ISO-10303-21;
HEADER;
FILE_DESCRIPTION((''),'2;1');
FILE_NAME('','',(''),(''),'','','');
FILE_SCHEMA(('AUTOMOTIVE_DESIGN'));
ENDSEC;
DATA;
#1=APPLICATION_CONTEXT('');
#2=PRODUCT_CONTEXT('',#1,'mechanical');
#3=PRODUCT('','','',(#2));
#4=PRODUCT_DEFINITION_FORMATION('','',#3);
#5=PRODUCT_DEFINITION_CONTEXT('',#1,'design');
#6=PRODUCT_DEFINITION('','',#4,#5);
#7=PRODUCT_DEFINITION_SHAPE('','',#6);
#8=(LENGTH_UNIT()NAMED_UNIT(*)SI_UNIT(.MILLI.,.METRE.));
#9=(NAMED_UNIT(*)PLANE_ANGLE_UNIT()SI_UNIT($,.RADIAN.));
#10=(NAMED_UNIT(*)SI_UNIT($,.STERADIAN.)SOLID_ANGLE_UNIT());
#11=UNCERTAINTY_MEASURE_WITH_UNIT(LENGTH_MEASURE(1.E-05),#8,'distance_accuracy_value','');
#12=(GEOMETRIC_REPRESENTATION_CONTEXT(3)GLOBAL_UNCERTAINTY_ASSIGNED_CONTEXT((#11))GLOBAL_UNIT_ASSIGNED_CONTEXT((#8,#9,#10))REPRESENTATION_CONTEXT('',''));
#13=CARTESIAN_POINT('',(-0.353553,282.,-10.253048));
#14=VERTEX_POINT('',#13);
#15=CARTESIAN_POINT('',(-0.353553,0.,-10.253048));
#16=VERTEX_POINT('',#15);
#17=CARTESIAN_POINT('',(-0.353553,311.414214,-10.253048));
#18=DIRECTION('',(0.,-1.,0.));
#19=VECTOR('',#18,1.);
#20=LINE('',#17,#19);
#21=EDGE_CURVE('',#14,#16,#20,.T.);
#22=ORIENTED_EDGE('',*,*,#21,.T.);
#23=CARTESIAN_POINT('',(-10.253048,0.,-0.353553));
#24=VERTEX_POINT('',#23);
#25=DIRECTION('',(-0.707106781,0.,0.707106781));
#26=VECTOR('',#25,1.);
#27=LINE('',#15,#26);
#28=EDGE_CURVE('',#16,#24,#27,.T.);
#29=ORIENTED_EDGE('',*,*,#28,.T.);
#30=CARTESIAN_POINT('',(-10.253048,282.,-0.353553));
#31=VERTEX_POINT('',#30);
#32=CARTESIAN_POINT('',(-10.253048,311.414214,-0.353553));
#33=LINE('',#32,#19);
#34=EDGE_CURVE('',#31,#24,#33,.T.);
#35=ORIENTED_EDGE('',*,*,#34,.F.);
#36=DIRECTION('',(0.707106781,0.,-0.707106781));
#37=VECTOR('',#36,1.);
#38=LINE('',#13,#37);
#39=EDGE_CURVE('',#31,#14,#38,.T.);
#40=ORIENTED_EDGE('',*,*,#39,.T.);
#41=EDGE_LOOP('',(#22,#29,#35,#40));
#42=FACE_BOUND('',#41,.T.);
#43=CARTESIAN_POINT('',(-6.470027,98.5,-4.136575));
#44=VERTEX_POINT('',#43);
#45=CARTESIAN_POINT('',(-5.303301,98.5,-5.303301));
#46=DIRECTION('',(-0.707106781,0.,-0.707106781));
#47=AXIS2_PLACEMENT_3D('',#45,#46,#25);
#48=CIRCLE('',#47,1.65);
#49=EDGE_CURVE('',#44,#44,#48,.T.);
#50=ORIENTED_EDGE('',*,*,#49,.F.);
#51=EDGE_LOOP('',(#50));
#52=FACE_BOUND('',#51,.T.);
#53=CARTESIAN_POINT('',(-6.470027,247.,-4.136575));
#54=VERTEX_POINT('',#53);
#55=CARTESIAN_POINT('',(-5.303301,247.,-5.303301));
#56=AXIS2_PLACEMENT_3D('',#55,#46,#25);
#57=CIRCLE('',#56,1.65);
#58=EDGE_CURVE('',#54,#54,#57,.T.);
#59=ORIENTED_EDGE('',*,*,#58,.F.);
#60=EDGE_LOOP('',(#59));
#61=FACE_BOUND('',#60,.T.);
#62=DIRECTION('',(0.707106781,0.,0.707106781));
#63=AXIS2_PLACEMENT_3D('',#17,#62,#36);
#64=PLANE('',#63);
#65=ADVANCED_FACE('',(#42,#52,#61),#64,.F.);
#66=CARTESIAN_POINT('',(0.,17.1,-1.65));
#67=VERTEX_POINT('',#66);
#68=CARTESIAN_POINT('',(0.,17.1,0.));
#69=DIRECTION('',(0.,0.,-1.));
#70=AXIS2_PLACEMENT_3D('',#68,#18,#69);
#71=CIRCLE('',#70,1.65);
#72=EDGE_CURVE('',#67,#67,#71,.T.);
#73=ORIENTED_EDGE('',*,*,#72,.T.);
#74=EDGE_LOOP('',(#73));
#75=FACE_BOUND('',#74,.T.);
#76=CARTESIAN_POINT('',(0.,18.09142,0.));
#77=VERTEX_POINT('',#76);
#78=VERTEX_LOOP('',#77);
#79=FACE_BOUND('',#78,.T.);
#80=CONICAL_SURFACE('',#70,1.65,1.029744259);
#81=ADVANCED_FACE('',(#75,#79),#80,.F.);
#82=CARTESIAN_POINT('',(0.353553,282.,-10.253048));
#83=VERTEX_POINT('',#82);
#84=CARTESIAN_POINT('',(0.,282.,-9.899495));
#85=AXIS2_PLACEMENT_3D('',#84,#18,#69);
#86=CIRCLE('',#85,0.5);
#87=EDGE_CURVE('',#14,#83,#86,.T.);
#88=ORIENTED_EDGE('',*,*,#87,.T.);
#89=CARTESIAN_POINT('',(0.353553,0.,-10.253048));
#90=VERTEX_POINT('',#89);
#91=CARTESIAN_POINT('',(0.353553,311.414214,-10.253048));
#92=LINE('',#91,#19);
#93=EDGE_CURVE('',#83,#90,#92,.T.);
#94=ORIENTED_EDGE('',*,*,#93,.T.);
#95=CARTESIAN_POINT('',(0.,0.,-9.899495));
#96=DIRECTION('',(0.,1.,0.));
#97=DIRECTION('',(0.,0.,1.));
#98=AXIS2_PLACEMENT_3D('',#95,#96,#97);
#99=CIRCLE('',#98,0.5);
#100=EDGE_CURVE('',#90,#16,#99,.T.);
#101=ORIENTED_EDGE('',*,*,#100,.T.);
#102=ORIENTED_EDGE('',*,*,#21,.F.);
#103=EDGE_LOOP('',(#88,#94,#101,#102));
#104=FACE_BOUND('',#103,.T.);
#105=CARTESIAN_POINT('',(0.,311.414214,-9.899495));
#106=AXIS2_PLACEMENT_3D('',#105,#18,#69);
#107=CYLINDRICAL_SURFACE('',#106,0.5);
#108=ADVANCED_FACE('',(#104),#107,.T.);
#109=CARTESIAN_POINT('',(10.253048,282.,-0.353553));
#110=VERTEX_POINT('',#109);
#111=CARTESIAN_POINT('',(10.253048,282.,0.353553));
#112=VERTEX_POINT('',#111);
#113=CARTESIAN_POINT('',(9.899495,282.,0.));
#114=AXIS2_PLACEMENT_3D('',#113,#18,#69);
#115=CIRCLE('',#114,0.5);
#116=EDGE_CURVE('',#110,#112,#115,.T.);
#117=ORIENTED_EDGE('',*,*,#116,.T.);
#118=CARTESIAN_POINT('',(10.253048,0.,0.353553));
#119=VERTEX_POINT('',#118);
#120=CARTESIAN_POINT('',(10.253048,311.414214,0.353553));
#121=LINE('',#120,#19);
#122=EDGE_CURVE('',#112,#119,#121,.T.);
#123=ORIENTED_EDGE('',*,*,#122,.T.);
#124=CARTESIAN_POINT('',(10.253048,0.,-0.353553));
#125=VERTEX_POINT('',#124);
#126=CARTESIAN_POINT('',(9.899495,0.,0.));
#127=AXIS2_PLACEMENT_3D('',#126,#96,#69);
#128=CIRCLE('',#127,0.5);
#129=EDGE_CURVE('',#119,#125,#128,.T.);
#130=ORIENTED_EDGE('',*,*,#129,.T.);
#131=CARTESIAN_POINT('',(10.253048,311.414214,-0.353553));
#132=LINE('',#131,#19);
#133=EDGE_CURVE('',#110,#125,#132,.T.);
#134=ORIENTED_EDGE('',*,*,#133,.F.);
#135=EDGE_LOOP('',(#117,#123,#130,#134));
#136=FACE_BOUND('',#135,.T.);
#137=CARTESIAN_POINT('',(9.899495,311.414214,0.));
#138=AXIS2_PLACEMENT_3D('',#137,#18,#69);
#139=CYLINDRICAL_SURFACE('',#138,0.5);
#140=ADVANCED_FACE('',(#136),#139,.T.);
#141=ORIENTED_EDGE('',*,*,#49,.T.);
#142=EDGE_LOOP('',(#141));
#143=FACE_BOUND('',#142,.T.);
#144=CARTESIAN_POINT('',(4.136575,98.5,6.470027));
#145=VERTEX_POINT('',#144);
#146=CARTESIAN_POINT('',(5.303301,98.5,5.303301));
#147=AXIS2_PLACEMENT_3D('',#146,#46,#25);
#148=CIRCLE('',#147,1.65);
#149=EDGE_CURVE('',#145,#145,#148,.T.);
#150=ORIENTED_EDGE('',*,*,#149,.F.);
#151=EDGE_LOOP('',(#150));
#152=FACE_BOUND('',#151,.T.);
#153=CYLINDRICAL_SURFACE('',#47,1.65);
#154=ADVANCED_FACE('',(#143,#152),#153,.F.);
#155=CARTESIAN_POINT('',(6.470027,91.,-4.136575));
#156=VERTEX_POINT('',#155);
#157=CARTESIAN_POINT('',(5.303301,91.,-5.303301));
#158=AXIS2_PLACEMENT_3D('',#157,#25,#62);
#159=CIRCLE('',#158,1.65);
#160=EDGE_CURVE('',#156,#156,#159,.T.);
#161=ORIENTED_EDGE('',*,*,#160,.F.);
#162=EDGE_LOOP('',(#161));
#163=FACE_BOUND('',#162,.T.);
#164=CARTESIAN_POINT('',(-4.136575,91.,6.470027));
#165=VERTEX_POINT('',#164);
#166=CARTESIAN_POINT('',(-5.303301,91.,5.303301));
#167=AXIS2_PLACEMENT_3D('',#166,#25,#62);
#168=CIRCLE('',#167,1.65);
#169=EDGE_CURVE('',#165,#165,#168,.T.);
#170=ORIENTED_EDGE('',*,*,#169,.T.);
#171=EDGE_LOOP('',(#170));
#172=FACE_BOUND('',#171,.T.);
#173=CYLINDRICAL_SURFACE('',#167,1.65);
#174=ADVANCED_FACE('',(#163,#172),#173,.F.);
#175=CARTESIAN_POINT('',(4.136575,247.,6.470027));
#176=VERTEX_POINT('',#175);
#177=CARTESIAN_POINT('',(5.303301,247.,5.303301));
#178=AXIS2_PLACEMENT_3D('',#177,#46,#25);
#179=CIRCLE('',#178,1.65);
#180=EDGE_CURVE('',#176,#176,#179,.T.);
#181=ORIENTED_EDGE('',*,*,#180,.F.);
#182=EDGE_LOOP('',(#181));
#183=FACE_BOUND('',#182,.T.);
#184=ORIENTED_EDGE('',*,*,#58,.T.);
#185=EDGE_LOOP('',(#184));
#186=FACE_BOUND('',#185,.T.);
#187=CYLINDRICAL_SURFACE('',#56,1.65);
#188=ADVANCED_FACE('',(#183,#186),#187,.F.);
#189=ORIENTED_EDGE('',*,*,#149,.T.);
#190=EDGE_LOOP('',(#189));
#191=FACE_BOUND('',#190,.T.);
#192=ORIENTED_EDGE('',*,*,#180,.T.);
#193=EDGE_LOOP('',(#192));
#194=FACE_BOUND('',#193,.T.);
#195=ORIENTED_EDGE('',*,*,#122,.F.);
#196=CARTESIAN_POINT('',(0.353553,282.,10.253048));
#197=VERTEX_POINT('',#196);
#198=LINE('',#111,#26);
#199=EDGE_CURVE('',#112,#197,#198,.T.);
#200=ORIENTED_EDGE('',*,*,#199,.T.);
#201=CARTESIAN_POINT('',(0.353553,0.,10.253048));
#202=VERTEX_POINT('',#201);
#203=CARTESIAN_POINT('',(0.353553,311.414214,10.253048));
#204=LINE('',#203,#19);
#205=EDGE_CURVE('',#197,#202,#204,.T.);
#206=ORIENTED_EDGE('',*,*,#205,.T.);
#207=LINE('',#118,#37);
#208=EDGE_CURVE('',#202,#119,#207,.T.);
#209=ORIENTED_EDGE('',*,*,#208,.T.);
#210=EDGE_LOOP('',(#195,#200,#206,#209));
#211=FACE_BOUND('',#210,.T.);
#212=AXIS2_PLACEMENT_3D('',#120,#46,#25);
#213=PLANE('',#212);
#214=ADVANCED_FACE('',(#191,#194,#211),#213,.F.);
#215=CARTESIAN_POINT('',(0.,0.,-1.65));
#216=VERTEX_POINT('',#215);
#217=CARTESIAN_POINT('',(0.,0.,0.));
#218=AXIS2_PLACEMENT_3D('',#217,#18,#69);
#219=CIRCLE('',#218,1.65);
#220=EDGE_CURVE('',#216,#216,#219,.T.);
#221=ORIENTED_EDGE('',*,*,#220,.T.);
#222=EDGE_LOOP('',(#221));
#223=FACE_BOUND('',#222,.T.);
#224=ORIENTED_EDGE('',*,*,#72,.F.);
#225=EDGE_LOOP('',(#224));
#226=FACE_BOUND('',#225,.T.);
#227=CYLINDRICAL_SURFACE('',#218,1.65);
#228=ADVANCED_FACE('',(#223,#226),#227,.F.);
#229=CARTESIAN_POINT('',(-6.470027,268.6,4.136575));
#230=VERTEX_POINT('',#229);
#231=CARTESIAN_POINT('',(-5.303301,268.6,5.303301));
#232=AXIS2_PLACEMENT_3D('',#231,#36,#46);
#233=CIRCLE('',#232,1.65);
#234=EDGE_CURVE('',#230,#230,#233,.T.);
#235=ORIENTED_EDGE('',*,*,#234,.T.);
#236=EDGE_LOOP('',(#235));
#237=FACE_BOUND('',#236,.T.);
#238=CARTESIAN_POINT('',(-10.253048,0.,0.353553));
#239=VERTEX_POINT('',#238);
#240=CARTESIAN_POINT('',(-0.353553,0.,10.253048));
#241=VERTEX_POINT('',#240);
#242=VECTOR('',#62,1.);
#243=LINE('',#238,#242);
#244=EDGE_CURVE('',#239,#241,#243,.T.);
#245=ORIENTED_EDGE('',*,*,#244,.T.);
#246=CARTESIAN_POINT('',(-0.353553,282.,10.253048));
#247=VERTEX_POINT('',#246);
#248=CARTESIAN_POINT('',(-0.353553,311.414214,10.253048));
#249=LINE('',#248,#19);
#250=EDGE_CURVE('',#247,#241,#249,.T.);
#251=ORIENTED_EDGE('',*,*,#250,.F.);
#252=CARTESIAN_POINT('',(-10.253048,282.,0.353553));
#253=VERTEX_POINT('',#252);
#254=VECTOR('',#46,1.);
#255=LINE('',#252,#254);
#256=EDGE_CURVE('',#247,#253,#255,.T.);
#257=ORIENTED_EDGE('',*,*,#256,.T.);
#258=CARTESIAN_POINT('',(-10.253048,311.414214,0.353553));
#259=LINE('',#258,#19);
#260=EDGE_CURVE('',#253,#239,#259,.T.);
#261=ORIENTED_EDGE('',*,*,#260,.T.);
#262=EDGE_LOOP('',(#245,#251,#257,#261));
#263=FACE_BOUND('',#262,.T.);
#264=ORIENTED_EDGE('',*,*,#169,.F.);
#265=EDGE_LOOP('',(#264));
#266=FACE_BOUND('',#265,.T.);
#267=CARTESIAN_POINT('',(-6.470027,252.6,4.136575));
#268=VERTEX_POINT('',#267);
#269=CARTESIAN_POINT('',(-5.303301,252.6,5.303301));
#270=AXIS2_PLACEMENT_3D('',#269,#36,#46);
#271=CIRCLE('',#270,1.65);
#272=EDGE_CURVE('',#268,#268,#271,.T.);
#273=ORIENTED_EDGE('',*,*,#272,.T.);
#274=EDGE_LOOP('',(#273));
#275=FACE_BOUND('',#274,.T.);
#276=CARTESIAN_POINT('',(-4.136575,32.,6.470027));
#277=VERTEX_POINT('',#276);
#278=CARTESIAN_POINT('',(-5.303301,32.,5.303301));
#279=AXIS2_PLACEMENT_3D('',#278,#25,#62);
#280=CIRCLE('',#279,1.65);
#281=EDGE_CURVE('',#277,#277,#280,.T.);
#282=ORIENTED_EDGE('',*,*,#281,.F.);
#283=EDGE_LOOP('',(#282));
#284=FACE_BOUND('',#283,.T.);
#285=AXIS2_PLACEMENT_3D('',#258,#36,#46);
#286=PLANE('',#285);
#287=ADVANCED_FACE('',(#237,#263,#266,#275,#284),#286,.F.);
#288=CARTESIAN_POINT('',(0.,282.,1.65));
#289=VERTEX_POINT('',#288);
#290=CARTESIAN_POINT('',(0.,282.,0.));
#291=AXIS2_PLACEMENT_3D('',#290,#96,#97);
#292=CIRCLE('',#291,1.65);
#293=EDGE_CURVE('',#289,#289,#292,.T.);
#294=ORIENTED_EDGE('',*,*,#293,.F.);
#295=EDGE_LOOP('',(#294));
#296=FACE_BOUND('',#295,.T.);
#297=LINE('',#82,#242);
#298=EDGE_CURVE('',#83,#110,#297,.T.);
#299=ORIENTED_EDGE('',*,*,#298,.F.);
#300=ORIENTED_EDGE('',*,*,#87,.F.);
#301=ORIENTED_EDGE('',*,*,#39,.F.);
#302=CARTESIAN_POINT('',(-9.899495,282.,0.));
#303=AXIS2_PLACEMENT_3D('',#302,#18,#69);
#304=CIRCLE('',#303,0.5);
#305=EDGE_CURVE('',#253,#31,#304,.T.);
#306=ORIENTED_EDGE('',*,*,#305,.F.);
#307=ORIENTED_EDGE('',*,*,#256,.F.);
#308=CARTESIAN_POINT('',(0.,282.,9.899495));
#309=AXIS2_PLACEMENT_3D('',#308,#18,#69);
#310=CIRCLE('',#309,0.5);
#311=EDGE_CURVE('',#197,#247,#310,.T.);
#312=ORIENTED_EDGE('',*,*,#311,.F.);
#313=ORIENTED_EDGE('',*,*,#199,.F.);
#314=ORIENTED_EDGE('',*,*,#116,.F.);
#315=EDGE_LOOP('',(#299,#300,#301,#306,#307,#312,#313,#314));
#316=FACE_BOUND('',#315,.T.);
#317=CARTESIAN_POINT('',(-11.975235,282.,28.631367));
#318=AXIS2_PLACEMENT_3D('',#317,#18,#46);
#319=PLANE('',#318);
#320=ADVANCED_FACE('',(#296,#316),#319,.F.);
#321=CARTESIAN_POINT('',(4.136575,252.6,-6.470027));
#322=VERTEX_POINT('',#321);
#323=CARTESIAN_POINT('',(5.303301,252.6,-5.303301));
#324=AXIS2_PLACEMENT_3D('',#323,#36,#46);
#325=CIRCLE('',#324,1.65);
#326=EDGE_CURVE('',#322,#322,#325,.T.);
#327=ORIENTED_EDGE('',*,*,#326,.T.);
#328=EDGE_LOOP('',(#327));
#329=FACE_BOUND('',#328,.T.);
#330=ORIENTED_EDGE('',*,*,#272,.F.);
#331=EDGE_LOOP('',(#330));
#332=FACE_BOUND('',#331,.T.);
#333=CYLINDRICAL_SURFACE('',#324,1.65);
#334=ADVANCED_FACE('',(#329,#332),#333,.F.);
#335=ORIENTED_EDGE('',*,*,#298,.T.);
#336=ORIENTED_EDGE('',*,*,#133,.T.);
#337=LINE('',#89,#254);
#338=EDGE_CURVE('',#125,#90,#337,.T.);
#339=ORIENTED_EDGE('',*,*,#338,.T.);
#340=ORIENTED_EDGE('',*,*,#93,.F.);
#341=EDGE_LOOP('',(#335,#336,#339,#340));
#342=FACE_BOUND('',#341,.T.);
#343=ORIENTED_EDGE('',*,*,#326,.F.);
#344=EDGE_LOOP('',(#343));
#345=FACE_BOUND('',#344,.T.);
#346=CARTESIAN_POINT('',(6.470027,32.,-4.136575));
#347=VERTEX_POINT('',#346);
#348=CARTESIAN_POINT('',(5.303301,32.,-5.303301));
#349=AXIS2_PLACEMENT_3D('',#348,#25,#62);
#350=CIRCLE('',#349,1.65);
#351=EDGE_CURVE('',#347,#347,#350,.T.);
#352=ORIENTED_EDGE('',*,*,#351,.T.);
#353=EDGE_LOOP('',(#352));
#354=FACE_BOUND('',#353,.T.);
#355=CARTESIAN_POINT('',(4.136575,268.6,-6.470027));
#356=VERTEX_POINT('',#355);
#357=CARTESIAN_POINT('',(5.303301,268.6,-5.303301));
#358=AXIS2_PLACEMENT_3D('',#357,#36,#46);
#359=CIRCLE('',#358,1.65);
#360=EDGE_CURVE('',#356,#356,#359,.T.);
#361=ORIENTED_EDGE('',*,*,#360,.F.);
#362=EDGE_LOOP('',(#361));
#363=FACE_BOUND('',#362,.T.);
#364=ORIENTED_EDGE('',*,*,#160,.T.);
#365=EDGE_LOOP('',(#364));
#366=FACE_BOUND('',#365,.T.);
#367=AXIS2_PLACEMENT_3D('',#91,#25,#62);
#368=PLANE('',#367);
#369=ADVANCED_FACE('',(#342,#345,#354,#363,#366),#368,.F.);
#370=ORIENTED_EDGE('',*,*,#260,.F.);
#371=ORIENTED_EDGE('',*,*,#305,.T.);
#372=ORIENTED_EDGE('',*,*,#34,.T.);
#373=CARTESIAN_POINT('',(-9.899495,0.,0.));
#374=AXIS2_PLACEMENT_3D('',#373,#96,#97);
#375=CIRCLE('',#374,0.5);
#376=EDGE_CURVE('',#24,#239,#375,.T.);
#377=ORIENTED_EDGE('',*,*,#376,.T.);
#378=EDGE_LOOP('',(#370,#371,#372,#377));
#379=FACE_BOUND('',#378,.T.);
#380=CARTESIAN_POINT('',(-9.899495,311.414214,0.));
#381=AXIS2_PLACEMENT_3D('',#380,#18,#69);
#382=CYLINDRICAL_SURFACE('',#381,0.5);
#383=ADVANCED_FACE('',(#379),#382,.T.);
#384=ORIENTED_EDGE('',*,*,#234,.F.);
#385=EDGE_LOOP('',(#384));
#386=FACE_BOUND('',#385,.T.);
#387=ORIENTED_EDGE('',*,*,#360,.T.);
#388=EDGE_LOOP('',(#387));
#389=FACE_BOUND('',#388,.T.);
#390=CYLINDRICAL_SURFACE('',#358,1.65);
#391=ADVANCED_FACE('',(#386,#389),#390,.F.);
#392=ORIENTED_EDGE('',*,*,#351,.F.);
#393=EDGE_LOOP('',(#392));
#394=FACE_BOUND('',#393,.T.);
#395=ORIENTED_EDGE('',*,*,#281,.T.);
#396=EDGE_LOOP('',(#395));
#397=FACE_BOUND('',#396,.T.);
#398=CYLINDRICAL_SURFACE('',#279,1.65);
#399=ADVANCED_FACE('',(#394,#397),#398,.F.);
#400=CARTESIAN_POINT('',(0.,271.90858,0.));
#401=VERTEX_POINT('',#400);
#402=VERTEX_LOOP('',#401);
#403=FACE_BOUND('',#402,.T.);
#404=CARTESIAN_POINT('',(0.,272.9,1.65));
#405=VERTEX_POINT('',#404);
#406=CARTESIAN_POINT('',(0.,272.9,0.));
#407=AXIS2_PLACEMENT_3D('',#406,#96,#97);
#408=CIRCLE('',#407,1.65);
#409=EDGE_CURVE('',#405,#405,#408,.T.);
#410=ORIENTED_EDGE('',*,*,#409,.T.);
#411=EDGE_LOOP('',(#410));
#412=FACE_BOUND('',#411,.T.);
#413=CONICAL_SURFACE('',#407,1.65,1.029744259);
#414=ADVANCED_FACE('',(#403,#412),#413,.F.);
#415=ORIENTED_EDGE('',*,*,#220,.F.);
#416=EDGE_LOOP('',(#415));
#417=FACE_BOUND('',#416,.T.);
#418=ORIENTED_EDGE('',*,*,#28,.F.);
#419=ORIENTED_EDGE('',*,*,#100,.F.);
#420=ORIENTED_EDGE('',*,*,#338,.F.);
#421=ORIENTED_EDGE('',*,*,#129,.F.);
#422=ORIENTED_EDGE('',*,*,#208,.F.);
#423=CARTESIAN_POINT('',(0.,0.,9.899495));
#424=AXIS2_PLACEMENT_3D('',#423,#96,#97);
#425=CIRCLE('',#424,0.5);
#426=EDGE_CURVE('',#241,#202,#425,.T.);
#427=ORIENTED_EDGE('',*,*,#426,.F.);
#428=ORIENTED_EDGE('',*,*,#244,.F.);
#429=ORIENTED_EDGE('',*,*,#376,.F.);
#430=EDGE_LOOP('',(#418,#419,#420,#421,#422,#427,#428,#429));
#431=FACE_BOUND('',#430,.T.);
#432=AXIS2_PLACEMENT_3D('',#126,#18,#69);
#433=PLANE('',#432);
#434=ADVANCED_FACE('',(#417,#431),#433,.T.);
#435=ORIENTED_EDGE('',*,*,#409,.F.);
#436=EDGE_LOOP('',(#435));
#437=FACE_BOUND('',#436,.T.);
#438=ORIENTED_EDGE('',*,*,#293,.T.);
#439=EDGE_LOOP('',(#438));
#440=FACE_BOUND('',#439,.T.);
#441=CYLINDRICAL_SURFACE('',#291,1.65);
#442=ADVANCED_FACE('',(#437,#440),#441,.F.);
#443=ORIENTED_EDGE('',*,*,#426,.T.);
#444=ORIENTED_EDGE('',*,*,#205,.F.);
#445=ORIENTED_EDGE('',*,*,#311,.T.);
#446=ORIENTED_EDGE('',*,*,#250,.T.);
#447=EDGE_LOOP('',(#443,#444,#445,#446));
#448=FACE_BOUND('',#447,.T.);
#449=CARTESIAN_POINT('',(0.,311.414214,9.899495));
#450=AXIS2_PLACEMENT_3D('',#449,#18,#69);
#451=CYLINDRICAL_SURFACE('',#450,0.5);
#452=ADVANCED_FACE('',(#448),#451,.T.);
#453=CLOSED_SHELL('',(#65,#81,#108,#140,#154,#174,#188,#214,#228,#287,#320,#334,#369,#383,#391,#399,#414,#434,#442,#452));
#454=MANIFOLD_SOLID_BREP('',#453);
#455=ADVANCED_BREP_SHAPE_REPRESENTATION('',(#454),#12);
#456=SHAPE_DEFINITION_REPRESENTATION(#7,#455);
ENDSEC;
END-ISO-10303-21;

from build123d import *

# Parameters (mm, degrees)
EXTRUSION1_DEPTH          = 282
TROU_TARAUD_M4X0_72_D     = 3.3
TROU_TARAUD_M4X0_72_DEPTH = 17.1
TROU_TARAUD_M4X0_72_TIP   = 0.991420021
TROU_TARAUD_M4X0_73_D     = 3.3
TROU_TARAUD_M4X0_73_DEPTH = 9.1
TROU_TARAUD_M4X0_73_TIP   = 0.991420021
TROU_TARAUD_M4X0_74_D     = 3.3
TROU_TARAUD_M4X0_75_D     = 3.3
TROU_TARAUD_M4X0_76_D     = 3.3


with BuildPart() as part:
    # Esquisse1 → Extrusion1 (new body)
    with BuildSketch(Plane(origin=(0, 0, 0), x_dir=(1, 0, 0), z_dir=(0, 1, 0))):
        with BuildLine():
            Line((0.353553391, 10.253048327), (10.253048327, 0.353553391))
            ThreePointArc((10.253048327, 0.353553391), (10.399494937, 0), (10.253048327, -0.353553391))
            Line((10.253048327, -0.353553391), (0.353553391, -10.253048327))
            ThreePointArc((0.353553391, -10.253048327), (0, -10.399494937), (-0.353553391, -10.253048327))
            Line((-0.353553391, -10.253048327), (-10.253048327, -0.353553391))
            ThreePointArc((-10.253048327, -0.353553391), (-10.399494937, 0), (-10.253048327, 0.353553391))
            Line((-10.253048327, 0.353553391), (-0.353553391, 10.253048327))
            ThreePointArc((-0.353553391, 10.253048327), (0, 10.399494937), (0.353553391, 10.253048327))
        make_face()
    extrude(amount=EXTRUSION1_DEPTH)

    # Trou taraudé M4x0.72
    with Locations(Plane.XZ):
        with Locations((0, 0)):
            Hole(TROU_TARAUD_M4X0_72_D / 2, depth=TROU_TARAUD_M4X0_72_DEPTH)
            with Locations((0, 0, -(TROU_TARAUD_M4X0_72_DEPTH + TROU_TARAUD_M4X0_72_TIP / 2))):  # 118° drill point
                Cone(0, TROU_TARAUD_M4X0_72_D / 2, TROU_TARAUD_M4X0_72_TIP, mode=Mode.SUBTRACT)

    # Trou taraudé M4x0.73
    with Locations(Plane(origin=(0, 282, 0), x_dir=(-1, 0, 0), z_dir=(0, 1, 0))):
        with Locations((0, 0)):
            Hole(TROU_TARAUD_M4X0_73_D / 2, depth=TROU_TARAUD_M4X0_73_DEPTH)
            with Locations((0, 0, -(TROU_TARAUD_M4X0_73_DEPTH + TROU_TARAUD_M4X0_73_TIP / 2))):  # 118° drill point
                Cone(0, TROU_TARAUD_M4X0_73_D / 2, TROU_TARAUD_M4X0_73_TIP, mode=Mode.SUBTRACT)

    # Trou taraudé M4x0.74 (through all)
    with Locations(Plane(origin=(-5.303300859, 0, 5.303300859), x_dir=(0.7071067811865477, 0, 0.7071067811865474), z_dir=(-0.7071067811865474, 0, 0.7071067811865477))):
        with Locations((0, 91), (0, 32)):
            Hole(TROU_TARAUD_M4X0_74_D / 2)

    # Trou taraudé M4x0.75 (through all)
    with Locations(Plane(origin=(-5.303300859, 0, -5.303300859), x_dir=(-0.7071067811865477, 0, 0.7071067811865475), z_dir=(-0.7071067811865475, 0, -0.7071067811865477))):
        with Locations((0, 98.5), (0, 247)):
            Hole(TROU_TARAUD_M4X0_75_D / 2)

    # Trou taraudé M4x0.76 (through all)
    with Locations(Plane(origin=(5.303300859, 0, -5.303300859), x_dir=(-0.7071067811865474, 0, -0.7071067811865477), z_dir=(0.7071067811865477, 0, -0.7071067811865474))):
        with Locations((0, 268.6), (0, 252.6)):
            Hole(TROU_TARAUD_M4X0_76_D / 2)


solid = part.part
